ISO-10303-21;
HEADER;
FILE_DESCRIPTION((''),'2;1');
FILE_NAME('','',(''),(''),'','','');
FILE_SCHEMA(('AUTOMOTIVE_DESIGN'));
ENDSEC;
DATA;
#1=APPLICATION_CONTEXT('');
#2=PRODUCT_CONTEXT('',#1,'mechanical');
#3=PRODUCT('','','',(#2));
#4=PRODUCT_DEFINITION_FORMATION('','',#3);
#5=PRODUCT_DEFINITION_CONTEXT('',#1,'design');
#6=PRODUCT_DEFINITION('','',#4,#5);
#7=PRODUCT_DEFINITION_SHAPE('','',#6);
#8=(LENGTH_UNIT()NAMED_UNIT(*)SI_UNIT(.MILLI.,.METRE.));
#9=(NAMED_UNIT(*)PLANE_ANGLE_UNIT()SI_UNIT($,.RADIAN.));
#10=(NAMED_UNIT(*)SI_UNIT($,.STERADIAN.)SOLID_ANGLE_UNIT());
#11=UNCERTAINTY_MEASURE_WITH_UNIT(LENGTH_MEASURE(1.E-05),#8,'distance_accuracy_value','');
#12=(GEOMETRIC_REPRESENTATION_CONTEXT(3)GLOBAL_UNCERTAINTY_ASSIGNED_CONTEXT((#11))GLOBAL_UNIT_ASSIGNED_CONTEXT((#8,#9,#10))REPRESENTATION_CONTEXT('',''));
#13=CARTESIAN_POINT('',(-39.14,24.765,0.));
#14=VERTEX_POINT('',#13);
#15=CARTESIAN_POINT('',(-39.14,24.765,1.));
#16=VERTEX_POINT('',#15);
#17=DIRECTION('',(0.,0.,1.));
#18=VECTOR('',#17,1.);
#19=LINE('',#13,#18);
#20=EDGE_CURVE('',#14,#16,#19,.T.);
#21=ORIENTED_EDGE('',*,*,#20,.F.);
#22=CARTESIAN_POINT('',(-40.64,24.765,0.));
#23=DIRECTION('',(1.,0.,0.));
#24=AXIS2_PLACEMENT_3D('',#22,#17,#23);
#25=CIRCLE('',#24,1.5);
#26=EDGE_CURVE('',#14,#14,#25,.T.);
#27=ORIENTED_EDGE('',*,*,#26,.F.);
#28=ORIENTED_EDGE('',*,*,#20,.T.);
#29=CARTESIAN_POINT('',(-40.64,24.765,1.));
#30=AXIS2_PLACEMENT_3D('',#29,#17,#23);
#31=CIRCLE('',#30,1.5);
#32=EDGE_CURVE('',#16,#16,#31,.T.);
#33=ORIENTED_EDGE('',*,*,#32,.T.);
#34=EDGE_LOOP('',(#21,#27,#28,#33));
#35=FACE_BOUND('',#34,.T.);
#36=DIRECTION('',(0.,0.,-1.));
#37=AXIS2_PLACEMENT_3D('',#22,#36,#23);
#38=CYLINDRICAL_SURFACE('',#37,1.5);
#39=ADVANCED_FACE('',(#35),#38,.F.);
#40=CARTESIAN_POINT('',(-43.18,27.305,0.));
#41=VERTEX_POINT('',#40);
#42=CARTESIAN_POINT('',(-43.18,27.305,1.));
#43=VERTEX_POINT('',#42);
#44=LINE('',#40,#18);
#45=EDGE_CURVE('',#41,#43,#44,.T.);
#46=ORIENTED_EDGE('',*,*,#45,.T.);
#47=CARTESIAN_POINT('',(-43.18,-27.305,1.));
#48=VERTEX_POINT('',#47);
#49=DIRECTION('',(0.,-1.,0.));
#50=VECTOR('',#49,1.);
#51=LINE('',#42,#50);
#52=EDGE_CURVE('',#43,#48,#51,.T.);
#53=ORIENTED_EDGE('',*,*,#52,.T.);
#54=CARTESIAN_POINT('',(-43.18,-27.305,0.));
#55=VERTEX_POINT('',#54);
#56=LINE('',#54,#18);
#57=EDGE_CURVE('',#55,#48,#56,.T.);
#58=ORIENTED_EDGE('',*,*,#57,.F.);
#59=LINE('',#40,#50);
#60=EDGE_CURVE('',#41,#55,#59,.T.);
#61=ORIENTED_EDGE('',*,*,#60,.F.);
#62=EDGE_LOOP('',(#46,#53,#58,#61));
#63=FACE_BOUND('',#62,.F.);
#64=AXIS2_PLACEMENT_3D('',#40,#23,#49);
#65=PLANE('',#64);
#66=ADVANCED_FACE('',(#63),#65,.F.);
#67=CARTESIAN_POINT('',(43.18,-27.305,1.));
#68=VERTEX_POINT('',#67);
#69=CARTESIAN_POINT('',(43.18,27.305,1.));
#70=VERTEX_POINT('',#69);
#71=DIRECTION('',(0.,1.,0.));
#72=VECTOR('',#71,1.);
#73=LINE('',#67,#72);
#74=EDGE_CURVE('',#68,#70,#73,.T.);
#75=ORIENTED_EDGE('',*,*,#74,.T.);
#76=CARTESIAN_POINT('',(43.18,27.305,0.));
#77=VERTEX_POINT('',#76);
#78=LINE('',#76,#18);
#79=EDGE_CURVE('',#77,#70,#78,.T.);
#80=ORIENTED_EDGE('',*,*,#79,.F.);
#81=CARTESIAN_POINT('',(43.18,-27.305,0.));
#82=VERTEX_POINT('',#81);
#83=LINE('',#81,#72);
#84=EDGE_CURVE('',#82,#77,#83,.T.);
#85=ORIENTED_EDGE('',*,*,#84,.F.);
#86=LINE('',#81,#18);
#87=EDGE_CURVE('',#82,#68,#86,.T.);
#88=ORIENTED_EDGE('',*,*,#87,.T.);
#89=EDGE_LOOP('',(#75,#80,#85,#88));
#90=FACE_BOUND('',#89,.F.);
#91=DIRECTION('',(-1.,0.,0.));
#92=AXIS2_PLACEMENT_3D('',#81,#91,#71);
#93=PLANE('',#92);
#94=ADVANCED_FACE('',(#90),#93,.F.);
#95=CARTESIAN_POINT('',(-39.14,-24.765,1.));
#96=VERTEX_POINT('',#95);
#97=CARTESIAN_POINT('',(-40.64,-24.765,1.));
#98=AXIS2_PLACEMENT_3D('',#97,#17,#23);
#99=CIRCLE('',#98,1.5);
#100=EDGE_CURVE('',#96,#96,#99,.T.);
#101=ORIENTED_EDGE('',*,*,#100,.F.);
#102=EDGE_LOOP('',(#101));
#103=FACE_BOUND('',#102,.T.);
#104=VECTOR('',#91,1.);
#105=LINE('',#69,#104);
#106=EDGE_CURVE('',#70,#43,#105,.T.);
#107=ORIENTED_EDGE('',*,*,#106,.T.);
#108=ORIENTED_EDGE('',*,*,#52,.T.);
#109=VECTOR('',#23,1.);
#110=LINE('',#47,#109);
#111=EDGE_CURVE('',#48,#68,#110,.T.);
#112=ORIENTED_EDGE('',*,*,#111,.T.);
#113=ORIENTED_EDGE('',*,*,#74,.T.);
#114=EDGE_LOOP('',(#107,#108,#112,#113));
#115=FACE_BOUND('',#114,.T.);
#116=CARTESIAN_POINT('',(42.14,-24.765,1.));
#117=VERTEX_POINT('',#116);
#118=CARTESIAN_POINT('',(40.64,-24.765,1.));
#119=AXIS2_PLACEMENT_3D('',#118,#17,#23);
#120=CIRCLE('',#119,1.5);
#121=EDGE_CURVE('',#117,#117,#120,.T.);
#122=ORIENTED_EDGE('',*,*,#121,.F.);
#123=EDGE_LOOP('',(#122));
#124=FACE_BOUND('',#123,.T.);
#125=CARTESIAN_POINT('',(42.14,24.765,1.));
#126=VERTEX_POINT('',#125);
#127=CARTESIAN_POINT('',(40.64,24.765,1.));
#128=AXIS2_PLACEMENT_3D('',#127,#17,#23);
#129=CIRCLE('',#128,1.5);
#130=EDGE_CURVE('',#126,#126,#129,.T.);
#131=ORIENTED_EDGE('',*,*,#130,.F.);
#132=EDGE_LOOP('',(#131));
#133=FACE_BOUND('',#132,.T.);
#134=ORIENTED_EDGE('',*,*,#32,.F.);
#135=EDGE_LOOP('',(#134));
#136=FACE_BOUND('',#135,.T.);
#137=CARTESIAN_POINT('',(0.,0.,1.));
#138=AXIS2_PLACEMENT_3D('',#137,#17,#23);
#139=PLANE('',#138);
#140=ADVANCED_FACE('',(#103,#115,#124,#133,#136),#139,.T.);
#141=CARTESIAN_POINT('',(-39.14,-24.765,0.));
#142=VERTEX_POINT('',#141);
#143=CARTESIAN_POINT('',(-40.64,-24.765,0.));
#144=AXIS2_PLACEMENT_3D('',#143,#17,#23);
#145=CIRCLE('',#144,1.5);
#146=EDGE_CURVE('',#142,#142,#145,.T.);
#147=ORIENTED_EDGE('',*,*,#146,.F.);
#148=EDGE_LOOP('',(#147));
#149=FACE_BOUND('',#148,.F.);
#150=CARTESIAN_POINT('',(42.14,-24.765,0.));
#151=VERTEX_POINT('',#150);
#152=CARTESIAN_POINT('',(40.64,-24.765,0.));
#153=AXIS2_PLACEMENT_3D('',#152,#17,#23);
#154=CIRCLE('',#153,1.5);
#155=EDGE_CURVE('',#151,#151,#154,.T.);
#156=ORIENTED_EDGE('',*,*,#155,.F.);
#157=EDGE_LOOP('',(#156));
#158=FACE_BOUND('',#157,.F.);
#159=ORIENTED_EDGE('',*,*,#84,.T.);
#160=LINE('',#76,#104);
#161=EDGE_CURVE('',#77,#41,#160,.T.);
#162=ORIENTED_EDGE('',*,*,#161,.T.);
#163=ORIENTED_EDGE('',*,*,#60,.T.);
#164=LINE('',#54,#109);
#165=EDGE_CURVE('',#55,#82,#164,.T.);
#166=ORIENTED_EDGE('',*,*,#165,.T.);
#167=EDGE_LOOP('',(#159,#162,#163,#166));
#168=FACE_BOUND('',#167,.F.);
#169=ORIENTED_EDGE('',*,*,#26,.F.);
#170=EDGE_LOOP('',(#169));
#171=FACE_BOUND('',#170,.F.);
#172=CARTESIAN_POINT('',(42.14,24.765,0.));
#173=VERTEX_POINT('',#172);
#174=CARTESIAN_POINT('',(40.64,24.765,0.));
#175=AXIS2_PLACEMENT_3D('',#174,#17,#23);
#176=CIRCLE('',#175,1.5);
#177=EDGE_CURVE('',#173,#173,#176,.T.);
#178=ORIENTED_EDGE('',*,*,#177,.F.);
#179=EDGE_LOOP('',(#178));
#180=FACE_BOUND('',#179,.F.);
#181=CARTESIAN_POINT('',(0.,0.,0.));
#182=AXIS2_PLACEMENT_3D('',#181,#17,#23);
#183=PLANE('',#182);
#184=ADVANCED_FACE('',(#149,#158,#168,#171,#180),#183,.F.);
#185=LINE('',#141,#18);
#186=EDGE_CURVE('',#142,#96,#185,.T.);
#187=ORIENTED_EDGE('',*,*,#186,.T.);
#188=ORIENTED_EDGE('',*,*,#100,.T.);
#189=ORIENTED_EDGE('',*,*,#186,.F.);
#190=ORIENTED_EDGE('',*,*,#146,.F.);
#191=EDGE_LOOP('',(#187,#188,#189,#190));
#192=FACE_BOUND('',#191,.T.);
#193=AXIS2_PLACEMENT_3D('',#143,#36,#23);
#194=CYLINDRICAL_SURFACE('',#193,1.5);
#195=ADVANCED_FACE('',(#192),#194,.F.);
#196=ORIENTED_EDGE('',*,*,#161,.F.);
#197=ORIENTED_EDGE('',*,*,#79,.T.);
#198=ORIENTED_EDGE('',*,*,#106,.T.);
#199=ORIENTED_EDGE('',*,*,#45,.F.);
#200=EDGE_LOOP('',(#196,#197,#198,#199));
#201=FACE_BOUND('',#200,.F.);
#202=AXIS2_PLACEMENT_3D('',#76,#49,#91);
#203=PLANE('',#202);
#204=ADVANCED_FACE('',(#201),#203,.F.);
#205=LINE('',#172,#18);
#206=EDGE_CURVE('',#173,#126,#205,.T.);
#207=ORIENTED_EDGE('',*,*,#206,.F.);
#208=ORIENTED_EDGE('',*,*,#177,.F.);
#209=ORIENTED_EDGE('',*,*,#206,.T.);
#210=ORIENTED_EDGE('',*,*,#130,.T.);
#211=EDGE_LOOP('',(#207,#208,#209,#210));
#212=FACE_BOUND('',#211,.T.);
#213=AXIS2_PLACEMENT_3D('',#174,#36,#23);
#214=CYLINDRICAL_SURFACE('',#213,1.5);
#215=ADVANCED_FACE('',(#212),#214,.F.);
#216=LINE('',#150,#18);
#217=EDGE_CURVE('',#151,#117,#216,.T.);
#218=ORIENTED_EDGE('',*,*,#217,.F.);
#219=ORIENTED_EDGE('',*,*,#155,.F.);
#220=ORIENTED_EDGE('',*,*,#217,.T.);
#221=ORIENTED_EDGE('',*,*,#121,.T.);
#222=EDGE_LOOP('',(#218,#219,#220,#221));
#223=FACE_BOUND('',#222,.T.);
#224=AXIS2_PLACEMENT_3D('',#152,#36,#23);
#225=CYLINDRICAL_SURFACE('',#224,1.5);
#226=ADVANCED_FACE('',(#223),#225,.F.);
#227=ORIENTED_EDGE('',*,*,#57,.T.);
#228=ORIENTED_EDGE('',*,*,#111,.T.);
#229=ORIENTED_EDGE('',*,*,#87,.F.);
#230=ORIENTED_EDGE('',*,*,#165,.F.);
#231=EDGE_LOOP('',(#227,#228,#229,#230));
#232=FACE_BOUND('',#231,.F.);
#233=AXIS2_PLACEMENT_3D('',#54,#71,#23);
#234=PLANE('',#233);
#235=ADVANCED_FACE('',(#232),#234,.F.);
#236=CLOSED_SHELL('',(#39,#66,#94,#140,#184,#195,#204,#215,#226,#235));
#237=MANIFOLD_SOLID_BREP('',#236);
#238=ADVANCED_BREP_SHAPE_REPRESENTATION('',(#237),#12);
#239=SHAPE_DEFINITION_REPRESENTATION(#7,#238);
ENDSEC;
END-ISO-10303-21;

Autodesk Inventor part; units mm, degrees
ref_plane "YZ Plane" through (0, 0, 0) normal (1, 0, 0) x (0, 1, 0)
ref_plane "XZ Plane" through (0, 0, 0) normal (0, 1, 0) x (-1, 0, 0)
ref_plane "XY Plane" through (0, 0, 0) normal (0, 0, 1) x (1, 0, 0)
sketch "Sketch1" plane through (0, 0, 0) normal (0, 0, 1) x (1, 0, 0)
  line L0 (-43.18, -27.305) -> (43.18, -27.305)
  line L1 (43.18, -27.305) -> (43.18, 27.305)
  line L2 (43.18, 27.305) -> (-43.18, 27.305)
  line L3 (-43.18, 27.305) -> (-43.18, -27.305)
  line L4 (-43.18, -27.305) -> (43.18, 27.305) construction
  line L5 (43.18, -27.305) -> (-43.18, 27.305) construction
  circle A0 centre (-40.64, 24.765) radius 1.5
  line L6 (-43.18, 0) -> (43.18, 0) construction
  line L7 (0, 27.305) -> (0, -27.305) construction
  circle A1 centre (-40.64, -24.765) radius 1.5
  circle A2 centre (40.64, 24.765) radius 1.5
  circle A3 centre (40.64, -24.765) radius 1.5
  point P0 (0, 0)
  dimension "d2" = 86.36
  dimension "d4" = 54.61
  dimension "d6" = 3
  dimension "d21" = 2.54
  dimension "d22" = 2.54
extrude "Extrusion1" add sketch "Sketch1" along normal blind 1
properties part number "Parallella" material "PCB(1)"
